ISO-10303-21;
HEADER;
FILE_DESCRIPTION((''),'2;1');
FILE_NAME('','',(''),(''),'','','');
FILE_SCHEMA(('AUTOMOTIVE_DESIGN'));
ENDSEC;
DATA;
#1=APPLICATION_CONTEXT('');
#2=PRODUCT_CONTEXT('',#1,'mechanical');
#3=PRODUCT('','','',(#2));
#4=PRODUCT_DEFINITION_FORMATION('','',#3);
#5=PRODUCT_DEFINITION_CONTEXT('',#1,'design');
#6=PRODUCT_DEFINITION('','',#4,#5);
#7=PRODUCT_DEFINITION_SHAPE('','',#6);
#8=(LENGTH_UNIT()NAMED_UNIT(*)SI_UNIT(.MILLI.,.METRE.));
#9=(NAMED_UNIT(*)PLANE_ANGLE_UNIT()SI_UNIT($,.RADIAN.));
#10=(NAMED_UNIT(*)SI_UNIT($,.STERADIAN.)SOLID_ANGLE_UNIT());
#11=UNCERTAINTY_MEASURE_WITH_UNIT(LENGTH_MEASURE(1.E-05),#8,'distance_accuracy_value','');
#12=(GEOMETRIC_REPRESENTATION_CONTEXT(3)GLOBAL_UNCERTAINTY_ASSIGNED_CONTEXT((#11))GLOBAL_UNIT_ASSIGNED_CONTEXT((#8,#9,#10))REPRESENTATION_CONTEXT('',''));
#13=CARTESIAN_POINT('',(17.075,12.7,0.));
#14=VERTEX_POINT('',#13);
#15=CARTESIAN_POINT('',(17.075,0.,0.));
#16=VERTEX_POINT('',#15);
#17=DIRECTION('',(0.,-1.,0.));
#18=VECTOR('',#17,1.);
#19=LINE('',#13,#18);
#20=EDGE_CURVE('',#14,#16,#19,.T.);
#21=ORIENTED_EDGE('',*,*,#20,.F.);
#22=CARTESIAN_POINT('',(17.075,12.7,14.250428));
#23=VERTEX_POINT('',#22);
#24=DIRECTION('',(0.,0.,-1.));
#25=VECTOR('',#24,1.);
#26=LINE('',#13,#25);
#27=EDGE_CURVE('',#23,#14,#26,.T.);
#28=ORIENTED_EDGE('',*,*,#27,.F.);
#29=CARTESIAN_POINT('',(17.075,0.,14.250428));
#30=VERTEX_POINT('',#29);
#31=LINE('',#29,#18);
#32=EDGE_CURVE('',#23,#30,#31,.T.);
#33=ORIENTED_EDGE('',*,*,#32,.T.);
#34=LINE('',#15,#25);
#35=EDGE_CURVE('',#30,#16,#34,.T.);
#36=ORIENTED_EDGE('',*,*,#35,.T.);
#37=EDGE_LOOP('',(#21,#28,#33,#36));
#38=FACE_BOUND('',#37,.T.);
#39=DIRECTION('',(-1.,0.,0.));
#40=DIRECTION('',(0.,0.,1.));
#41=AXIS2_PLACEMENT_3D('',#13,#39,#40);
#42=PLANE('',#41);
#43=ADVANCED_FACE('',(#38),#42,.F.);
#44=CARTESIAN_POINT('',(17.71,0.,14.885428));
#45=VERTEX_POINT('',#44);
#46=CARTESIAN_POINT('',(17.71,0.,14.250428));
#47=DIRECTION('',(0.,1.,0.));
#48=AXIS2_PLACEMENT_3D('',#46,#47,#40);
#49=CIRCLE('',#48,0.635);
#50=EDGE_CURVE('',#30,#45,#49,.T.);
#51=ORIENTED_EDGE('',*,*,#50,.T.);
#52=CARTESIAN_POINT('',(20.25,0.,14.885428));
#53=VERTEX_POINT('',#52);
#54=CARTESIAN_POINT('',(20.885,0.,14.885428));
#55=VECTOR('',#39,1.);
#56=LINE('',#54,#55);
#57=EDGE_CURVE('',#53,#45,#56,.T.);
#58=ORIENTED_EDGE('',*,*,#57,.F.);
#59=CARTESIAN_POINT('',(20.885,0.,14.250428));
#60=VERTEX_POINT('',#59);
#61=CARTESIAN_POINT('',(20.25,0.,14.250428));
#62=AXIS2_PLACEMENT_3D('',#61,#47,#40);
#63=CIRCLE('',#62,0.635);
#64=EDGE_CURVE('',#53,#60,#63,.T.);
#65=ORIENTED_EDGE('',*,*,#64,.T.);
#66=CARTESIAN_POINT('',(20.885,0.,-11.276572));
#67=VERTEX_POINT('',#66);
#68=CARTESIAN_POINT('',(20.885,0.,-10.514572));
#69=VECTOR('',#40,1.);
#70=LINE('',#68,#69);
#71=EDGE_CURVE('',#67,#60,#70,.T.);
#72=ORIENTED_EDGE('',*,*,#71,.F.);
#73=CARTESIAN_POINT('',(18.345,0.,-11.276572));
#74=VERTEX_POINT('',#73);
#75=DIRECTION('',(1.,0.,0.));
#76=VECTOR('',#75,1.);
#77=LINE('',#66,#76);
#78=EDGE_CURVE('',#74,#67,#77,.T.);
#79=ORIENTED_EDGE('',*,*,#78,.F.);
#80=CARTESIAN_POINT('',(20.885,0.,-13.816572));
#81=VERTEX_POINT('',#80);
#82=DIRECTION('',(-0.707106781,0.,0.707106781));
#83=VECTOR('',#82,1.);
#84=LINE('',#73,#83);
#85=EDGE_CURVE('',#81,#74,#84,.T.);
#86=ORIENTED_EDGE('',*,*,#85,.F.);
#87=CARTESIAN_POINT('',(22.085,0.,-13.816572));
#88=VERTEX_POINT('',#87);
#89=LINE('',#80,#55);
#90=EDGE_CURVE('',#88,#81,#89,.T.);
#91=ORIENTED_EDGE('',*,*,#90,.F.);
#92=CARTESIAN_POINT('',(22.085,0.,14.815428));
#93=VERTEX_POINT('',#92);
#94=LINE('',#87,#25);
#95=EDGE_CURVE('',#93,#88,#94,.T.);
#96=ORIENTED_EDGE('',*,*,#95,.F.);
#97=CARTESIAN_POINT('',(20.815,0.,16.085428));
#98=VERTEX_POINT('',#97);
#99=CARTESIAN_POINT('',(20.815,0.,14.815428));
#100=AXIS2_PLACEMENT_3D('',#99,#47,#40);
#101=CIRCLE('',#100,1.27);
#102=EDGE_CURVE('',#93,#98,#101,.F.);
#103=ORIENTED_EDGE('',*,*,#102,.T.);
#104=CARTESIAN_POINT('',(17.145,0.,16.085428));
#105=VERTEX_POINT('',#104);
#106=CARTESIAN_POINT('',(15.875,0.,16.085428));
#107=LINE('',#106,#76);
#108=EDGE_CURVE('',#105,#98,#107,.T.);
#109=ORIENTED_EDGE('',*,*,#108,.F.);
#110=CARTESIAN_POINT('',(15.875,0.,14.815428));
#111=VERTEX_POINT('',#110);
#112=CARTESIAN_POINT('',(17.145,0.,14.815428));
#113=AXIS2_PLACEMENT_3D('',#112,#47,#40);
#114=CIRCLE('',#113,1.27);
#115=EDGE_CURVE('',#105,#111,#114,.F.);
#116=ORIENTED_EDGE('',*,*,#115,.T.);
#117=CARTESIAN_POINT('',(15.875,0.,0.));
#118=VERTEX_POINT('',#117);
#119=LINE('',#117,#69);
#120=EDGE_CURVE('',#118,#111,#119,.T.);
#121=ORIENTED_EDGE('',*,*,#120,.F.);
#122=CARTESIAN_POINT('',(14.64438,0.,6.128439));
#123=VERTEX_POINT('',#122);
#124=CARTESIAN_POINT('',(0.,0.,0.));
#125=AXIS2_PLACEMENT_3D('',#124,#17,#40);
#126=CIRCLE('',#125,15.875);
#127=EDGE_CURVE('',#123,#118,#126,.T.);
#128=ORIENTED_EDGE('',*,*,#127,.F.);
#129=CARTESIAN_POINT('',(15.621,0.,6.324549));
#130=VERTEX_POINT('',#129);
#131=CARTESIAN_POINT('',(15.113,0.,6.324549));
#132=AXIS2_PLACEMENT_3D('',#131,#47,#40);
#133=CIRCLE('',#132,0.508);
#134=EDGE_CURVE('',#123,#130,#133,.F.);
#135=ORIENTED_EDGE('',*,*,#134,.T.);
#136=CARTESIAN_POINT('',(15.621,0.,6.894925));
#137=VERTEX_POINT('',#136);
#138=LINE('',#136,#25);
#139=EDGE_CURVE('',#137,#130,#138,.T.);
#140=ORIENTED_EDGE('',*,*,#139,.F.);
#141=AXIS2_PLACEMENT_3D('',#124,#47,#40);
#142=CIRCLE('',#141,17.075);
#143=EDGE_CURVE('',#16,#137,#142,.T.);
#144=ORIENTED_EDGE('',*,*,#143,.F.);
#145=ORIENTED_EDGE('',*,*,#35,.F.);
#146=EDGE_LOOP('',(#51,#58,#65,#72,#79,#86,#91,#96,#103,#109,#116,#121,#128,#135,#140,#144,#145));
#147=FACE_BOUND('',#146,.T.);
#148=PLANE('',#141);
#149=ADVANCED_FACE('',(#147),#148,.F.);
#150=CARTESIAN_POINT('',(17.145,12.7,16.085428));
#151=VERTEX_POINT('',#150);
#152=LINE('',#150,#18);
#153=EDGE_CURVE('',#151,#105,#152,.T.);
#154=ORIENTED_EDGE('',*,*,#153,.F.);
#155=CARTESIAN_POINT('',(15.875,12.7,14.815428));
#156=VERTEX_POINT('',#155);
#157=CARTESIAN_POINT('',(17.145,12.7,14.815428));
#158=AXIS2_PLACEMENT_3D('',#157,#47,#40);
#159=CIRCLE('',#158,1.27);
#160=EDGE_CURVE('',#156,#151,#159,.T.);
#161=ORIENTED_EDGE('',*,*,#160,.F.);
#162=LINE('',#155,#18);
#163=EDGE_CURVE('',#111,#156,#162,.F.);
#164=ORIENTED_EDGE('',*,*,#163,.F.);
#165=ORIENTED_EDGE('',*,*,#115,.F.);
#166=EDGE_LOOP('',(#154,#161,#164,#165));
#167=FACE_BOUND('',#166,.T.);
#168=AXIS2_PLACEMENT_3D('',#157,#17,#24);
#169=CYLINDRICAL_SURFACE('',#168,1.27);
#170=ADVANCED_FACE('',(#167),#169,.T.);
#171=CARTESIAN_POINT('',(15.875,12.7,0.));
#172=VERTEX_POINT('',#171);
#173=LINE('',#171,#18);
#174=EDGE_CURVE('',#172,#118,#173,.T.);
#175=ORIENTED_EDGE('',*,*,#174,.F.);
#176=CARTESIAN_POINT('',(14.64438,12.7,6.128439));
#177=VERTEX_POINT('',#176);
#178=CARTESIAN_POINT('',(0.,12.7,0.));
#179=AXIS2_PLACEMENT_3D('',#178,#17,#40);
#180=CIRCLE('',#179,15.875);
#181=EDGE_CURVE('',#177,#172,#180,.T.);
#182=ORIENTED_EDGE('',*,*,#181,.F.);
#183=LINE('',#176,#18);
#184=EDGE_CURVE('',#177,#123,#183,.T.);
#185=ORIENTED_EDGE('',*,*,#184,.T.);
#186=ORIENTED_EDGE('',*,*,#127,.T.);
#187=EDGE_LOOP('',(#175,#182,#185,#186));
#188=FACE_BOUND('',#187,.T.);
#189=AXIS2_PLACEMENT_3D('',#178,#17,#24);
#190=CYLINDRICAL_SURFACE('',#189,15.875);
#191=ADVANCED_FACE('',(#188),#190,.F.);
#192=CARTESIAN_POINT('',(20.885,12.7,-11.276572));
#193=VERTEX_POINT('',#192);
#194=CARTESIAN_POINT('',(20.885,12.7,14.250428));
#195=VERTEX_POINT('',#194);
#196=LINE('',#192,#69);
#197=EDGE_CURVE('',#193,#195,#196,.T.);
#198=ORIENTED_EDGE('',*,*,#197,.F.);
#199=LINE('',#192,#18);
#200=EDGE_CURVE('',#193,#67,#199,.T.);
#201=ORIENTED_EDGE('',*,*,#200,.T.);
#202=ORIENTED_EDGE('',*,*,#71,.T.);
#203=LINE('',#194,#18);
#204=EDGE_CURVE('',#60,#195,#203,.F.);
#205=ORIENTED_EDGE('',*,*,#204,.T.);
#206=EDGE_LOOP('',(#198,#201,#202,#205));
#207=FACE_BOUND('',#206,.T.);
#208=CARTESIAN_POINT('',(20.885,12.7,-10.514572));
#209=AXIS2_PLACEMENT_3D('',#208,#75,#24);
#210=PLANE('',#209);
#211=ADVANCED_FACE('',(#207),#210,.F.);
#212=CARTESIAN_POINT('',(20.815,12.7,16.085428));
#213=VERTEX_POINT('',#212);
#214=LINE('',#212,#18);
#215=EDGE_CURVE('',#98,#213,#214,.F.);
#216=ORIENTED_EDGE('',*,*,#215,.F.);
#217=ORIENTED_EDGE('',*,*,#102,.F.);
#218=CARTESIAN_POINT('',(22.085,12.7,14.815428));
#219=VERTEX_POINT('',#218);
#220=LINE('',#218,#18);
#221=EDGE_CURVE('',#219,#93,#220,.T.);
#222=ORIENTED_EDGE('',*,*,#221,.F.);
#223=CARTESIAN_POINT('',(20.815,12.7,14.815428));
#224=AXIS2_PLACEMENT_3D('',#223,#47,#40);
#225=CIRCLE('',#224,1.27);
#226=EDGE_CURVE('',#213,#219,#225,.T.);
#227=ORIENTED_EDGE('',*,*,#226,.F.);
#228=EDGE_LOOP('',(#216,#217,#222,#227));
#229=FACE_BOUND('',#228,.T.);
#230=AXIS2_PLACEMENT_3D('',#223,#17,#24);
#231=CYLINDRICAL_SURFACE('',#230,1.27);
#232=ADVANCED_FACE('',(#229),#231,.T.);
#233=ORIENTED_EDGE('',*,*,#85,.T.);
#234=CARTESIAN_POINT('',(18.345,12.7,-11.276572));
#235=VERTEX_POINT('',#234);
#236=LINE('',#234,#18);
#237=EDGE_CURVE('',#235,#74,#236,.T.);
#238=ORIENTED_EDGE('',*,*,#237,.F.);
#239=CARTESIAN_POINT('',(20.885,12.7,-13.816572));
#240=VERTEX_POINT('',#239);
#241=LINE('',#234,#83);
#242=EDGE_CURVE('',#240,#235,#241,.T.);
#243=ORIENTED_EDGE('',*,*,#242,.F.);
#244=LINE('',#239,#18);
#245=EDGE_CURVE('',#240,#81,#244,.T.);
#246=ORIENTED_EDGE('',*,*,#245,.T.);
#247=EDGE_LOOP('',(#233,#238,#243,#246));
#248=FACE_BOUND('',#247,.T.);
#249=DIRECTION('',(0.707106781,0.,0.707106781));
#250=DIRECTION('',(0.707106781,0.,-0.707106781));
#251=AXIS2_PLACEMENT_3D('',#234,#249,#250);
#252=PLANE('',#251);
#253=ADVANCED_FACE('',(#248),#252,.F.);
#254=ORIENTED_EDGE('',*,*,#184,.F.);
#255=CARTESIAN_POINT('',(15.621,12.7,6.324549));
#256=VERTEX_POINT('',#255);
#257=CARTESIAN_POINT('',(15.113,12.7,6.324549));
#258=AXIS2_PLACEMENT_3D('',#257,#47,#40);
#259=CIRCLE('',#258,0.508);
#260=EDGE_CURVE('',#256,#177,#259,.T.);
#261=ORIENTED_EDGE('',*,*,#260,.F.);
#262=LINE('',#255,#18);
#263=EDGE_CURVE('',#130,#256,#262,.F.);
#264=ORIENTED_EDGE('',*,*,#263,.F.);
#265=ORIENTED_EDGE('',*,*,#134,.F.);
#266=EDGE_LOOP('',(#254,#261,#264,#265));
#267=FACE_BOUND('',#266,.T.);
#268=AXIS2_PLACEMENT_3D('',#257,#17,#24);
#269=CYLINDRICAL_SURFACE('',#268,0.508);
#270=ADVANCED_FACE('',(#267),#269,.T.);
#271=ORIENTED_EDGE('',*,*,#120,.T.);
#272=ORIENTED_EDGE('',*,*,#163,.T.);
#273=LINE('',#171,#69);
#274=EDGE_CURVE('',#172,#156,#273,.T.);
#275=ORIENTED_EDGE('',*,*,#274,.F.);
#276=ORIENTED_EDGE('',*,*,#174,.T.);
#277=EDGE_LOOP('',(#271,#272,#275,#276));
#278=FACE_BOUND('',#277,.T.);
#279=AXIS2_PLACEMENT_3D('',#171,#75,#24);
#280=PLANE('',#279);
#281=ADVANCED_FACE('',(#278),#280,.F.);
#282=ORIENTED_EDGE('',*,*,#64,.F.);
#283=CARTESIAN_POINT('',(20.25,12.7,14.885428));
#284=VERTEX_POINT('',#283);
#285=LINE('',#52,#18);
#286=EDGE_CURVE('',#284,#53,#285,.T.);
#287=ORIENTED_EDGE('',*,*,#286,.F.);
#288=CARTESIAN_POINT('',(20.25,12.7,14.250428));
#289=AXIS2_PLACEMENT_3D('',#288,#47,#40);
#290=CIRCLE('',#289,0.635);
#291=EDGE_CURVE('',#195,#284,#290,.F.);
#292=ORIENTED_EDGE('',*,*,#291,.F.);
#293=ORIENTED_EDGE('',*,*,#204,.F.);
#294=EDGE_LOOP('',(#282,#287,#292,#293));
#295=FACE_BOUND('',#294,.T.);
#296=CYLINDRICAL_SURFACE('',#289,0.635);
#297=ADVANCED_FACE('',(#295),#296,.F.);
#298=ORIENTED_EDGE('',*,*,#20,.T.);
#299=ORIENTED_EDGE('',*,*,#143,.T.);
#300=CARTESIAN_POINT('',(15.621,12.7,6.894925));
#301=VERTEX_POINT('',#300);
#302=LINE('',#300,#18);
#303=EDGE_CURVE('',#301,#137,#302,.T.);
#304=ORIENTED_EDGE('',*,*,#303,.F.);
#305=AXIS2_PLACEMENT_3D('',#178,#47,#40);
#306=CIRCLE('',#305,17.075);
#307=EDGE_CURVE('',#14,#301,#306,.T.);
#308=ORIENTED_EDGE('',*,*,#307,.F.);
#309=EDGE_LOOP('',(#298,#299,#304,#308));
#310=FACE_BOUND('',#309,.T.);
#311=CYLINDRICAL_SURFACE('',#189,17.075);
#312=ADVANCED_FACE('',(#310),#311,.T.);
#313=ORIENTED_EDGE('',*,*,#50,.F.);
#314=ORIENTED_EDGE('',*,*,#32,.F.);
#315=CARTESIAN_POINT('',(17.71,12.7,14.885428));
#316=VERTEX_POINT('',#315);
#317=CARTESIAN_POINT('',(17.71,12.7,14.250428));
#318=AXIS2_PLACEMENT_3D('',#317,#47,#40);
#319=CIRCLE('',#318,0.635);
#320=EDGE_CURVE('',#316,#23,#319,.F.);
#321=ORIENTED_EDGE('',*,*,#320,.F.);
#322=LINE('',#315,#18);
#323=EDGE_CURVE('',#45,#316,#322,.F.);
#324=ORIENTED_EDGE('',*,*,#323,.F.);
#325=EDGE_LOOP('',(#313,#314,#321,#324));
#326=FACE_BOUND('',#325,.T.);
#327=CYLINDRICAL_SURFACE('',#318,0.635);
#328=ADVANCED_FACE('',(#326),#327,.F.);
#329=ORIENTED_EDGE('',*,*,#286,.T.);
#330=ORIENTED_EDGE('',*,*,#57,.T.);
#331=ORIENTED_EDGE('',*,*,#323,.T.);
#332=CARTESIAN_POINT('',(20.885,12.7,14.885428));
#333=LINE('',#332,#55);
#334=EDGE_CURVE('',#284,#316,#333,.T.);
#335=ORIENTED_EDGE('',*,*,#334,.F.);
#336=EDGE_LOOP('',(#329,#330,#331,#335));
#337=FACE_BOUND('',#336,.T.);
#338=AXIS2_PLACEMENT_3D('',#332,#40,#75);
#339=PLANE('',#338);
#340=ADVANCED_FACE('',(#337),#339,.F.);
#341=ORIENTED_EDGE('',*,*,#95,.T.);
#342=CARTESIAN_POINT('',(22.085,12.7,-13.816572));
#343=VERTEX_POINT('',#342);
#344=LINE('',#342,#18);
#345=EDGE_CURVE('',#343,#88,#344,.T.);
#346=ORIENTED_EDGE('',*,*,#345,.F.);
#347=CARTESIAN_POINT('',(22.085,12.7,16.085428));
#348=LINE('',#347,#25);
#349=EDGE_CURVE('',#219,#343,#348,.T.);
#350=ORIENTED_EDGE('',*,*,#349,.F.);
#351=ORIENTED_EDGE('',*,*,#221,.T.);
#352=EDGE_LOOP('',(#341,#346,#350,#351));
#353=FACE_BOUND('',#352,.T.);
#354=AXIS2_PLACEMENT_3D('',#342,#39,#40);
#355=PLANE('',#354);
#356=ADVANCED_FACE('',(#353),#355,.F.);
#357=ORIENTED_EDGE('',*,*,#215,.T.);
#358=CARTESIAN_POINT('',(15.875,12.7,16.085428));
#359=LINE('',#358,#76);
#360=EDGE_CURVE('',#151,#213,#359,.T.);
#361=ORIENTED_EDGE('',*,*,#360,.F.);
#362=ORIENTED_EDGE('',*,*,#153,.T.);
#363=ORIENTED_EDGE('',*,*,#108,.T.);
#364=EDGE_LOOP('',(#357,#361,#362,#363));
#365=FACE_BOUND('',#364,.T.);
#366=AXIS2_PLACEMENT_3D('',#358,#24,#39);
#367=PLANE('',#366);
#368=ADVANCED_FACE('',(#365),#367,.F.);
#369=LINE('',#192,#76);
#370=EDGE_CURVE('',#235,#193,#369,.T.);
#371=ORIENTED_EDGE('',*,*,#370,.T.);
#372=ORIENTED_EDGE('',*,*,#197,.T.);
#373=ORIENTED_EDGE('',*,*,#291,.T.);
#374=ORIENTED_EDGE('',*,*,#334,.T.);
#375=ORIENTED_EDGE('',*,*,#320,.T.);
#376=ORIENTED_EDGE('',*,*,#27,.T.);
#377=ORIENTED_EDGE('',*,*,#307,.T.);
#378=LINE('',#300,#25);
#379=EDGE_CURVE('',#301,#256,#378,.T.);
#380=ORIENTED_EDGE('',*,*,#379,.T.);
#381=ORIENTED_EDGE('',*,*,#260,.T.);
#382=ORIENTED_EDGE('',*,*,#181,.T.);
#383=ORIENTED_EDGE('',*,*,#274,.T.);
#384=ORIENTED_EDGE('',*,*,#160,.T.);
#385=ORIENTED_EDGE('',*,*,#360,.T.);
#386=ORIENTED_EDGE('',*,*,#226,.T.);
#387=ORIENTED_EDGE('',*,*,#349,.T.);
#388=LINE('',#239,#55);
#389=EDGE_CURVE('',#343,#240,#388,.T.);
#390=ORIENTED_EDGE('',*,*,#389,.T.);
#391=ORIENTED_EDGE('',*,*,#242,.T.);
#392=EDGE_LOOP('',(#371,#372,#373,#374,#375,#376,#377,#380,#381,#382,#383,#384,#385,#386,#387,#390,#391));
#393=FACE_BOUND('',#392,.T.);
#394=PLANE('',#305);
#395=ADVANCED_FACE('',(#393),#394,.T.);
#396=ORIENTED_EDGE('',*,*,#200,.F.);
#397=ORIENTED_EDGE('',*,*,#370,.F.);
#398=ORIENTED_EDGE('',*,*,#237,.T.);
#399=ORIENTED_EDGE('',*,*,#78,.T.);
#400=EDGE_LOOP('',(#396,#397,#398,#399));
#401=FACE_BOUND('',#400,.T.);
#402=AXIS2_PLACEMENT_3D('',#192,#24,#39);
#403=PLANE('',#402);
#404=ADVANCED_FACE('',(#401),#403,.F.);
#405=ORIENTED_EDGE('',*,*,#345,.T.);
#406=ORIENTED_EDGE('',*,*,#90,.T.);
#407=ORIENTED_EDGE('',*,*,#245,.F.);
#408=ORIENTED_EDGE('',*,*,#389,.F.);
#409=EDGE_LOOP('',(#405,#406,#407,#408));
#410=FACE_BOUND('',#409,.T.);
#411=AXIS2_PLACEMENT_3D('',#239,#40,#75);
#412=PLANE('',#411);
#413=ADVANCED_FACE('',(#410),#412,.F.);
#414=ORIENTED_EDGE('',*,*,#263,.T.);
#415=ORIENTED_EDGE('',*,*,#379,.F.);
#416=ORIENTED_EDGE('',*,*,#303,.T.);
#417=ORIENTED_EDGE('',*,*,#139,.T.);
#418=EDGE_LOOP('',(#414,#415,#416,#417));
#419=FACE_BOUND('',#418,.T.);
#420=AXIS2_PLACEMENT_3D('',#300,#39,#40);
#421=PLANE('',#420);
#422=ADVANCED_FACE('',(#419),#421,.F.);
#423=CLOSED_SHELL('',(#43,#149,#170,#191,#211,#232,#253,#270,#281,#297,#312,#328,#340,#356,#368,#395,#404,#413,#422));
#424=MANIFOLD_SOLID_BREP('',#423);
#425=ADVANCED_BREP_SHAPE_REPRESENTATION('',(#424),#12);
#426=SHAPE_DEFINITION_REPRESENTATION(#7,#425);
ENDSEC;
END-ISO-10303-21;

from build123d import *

# Parameters (mm, degrees)
BOSS_EXTRUDE1_DEPTH = 12.7
FILLET2_R           = 0.635
FILLET3_R           = 1.27
FILLET4_R           = 0.508


with BuildPart() as part:
    # Sketch1 → Boss-Extrude1 (new body)
    with BuildSketch(Plane(origin=(0, 0, 0), x_dir=(1, 0, 0), z_dir=(0, 1, 0))):
        with BuildLine():
            Line((17.075, 0), (17.075, -14.88542834))
            Line((17.075, -14.88542834), (20.885, -14.88542834))
            Line((20.885, -14.88542834), (20.885, 10.51457166))
            Line((20.885, 10.51457166), (20.885, 11.27657166))
            Line((20.885, 11.27657166), (18.345, 11.27657166))
            Line((18.345, 11.27657166), (20.885, 13.81657166))
            Line((20.885, 13.81657166), (22.085, 13.81657166))
            Line((22.085, 13.81657166), (22.085, 10.51457166))
            Line((22.085, 10.51457166), (22.085, -16.08542834))
            Line((22.085, -16.08542834), (15.875, -16.08542834))
            Line((15.875, -16.08542834), (15.875, 0))
            ThreePointArc((15.875, 0), (-15.811372489, 1.419903166), (15.621, -2.828424296))
            Line((15.621, -2.828424296), (15.621, -6.89492451))
            ThreePointArc((15.621, -6.89492451), (-16.707546199, 3.52328327), (17.075, 0))
        make_face()
    extrude(amount=BOSS_EXTRUDE1_DEPTH)

    # Fillet2
    fillet2_edges = [part.edges().sort_by_distance(p)[0] for p in [
        (17.075, 6.35, 14.88542834),
        (20.885, 6.35, 14.88542834),
    ]]
    fillet(fillet2_edges, radius=FILLET2_R)

    # Fillet3
    fillet3_edges = [part.edges().sort_by_distance(p)[0] for p in [
        (22.085, 6.35, 16.08542834),
        (15.875, 6.35, 16.08542834),
    ]]
    fillet(fillet3_edges, radius=FILLET3_R)

    # Fillet4
    fillet4_edges = [part.edges().sort_by_distance(p)[0] for p in [
        (15.621, 6.35, 2.828424296),
    ]]
    fillet(fillet4_edges, radius=FILLET4_R)


solid = part.part
